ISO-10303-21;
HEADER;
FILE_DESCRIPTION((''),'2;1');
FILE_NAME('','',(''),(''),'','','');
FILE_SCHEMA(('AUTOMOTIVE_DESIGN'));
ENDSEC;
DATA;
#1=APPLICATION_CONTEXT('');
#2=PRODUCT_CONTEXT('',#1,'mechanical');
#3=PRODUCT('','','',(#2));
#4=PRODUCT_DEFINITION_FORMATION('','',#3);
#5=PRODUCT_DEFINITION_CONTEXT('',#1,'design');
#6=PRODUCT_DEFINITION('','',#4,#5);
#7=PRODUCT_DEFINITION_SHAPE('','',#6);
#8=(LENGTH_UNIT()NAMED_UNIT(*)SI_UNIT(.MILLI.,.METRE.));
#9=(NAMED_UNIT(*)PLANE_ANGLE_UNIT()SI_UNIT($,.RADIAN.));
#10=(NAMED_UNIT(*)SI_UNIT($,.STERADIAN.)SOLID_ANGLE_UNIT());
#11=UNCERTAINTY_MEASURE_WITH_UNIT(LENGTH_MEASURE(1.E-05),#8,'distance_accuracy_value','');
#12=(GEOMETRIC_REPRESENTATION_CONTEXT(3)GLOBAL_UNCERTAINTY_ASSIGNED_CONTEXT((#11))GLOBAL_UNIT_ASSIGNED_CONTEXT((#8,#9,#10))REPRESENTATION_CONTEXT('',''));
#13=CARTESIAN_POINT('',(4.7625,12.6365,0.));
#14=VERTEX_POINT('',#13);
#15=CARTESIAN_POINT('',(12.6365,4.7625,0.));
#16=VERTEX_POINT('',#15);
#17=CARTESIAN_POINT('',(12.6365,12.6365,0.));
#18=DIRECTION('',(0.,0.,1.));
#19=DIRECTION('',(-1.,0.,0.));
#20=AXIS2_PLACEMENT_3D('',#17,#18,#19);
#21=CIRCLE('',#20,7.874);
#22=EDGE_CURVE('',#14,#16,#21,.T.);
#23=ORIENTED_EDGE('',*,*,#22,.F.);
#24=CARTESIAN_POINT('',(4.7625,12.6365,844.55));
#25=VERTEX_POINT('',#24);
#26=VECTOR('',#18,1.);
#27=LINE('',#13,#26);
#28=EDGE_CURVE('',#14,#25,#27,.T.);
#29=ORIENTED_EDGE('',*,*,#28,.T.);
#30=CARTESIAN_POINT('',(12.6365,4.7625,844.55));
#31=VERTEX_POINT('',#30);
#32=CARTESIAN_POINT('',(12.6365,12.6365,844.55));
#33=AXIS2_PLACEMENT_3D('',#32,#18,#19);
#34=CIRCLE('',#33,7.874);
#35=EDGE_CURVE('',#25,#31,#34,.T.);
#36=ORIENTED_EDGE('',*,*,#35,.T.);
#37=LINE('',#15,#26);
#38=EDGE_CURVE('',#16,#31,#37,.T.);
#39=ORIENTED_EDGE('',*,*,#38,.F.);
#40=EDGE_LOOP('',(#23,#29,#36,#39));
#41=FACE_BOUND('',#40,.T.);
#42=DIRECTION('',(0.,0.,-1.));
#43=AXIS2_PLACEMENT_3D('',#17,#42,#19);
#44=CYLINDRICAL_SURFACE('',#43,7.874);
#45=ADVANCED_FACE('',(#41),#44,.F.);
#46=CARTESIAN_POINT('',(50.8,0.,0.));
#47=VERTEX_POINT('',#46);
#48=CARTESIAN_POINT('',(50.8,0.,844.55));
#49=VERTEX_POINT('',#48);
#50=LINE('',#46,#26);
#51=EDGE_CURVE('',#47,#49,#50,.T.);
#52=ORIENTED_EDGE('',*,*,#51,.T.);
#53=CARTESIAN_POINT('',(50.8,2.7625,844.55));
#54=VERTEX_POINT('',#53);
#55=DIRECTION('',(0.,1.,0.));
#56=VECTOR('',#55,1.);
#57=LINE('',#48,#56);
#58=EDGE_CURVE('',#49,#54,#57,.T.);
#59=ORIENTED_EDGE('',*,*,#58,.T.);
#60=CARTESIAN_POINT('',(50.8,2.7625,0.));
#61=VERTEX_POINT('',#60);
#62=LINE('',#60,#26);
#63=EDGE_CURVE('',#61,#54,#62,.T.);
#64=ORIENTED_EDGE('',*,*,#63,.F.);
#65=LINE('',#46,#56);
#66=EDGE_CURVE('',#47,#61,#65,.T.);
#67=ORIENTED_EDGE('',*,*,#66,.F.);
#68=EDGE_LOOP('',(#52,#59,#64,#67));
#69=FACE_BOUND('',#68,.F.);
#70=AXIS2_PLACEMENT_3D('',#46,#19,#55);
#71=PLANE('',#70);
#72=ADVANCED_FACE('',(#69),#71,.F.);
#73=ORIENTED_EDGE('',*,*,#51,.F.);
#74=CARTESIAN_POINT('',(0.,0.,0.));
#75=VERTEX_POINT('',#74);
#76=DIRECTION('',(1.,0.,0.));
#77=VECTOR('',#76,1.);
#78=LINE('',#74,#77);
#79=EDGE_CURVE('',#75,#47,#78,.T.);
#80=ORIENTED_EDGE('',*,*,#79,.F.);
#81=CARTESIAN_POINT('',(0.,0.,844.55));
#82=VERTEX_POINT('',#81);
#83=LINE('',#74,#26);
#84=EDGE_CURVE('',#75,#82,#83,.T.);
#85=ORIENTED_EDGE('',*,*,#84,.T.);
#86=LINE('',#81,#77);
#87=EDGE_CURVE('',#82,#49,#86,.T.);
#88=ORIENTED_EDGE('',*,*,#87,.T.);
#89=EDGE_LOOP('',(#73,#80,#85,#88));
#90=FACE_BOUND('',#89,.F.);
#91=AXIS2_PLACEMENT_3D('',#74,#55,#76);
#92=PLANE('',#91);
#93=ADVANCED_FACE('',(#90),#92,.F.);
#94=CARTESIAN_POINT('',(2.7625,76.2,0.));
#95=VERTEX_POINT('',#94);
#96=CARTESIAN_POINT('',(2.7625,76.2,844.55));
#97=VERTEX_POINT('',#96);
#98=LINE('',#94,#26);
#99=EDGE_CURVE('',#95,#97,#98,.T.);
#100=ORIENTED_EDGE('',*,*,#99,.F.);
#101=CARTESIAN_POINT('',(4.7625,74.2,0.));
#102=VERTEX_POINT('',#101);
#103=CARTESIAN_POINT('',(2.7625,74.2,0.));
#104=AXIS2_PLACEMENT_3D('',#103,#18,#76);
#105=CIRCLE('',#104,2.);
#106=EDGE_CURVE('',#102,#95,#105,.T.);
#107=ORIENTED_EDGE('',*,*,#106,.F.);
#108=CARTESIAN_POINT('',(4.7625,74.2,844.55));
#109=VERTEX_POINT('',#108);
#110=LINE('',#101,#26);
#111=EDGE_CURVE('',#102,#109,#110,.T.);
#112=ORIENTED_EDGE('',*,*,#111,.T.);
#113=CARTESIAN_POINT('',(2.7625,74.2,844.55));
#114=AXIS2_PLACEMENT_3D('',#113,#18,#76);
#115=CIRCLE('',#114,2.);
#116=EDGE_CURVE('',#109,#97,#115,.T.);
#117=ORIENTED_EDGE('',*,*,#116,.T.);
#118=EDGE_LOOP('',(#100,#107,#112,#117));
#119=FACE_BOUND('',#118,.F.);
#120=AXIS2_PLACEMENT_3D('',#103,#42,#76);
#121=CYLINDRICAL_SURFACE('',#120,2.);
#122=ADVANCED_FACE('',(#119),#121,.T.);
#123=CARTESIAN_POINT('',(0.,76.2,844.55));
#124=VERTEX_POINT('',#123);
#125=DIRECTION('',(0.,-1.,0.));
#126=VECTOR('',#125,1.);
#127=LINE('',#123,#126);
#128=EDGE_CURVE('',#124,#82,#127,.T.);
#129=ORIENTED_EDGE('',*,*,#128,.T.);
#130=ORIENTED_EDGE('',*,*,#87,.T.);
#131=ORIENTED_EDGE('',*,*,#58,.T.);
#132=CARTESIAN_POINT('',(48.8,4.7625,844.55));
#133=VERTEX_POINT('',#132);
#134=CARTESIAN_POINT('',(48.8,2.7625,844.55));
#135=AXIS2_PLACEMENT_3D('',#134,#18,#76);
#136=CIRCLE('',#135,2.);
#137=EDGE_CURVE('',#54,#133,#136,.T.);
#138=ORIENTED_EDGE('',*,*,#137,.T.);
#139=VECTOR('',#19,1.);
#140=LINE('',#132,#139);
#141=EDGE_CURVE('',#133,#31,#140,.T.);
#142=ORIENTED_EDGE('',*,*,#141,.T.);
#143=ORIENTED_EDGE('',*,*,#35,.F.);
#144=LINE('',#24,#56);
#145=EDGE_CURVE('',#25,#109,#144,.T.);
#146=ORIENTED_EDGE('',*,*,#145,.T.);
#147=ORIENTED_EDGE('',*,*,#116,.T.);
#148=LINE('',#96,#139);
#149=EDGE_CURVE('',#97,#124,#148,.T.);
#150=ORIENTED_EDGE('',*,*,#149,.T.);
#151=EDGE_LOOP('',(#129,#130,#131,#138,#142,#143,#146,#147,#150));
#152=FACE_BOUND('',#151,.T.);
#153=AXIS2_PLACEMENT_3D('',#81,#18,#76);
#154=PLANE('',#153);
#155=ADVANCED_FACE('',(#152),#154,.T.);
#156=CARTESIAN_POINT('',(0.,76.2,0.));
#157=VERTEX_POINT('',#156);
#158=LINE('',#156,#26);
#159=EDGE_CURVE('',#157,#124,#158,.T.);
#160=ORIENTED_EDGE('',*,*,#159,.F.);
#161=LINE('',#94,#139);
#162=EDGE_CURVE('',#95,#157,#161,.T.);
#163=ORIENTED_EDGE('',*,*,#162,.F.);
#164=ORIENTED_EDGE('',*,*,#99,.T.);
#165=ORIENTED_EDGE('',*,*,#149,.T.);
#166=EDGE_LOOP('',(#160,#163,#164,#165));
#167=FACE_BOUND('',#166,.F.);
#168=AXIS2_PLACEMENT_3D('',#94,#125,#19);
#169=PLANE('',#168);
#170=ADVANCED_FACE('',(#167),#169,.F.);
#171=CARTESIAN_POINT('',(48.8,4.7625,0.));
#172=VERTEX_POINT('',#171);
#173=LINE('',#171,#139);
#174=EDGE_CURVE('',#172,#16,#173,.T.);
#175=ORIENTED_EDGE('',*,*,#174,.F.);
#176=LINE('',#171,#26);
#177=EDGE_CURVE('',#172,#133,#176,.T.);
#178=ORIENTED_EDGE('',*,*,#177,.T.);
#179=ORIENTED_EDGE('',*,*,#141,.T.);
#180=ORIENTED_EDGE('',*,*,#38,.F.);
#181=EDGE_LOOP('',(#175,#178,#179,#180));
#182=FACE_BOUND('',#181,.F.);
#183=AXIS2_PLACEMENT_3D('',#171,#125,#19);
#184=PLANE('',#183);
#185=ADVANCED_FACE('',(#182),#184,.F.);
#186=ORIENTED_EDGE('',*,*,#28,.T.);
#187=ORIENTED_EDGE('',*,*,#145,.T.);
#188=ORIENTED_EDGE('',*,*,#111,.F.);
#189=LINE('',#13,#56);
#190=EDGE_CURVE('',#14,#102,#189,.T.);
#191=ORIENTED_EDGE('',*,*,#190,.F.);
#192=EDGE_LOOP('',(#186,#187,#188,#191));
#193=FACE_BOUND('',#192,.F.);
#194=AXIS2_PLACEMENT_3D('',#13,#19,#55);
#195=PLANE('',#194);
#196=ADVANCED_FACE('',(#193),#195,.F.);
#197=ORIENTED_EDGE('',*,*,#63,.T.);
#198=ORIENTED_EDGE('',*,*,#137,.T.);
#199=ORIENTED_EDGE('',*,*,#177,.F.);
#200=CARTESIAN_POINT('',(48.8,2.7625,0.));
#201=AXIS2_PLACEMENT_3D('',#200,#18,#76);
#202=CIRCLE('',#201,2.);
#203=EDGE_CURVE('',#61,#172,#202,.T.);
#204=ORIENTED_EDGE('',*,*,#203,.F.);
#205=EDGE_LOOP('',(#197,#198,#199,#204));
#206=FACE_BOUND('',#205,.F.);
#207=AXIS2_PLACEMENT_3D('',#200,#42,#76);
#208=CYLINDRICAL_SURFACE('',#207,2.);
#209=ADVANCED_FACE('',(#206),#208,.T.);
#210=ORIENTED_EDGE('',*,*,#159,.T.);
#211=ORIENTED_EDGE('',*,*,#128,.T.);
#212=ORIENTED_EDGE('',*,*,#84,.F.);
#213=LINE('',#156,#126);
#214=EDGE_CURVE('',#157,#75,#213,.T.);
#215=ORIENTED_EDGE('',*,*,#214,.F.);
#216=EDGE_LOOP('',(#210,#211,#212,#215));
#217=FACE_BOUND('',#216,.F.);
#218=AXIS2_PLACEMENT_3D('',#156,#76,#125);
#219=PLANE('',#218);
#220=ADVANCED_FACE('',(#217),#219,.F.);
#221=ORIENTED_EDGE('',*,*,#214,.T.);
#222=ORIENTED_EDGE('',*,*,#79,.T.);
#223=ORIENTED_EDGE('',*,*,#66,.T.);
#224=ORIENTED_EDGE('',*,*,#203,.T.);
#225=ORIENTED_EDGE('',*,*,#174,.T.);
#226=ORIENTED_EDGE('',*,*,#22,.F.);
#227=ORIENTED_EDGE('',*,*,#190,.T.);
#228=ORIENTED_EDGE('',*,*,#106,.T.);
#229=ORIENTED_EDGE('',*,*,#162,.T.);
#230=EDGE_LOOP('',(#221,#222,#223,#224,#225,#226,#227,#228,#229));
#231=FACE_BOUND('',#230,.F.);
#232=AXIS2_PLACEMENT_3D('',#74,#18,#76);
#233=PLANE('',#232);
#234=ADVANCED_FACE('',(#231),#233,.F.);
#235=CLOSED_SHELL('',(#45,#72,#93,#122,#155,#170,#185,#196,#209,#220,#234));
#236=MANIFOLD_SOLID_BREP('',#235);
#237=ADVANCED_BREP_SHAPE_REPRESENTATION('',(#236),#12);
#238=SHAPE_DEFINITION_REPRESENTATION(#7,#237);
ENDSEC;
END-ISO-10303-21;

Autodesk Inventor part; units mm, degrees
ref_plane "YZ Plane" through (0, 0, 0) normal (1, 0, 0) x (0, 1, 0)
ref_plane "Start plane" through (0, 0, 0) normal (0, 0, 1) x (1, 0, 0)
ref_plane "End plane" through (0, 0, 844.55) normal (0, 0, 1) x (1, 0, 0)
sketch "Sketch" plane through (0, 0, 0) normal (0, 0, 1) x (1, 0, 0)
  line L0 (0, 76.2) -> (0, 0)
  line L1 (0, 0) -> (50.8, 0)
  line L2 (50.8, 0) -> (50.8, 2.7625)
  line L3 (48.8, 4.7625) -> (12.6365, 4.7625)
  line L4 (4.7625, 12.6365) -> (4.7625, 74.2)
  line L5 (2.7625, 76.2) -> (0, 76.2)
  line L6 (-7.0414, 0) -> (21.5385, 0) construction
  line L7 (0, -8.0414) -> (0, 34.5385) construction
  arc A0 (4.7625, 12.6365) -> (12.6365, 4.7625) centre (12.6365, 12.6365) ccw
  arc A1 (50.8, 2.7625) -> (48.8, 4.7625) centre (48.8, 2.7625) ccw
  arc A2 (4.7625, 74.2) -> (2.7625, 76.2) centre (2.7625, 74.2) ccw
  line L8 (0, 93.5453) -> (0, -24.9725) construction
  line L9 (-18.6925, 0) -> (62.8653, 0) construction
  point P0 (50.8, 4.7625)
  point P1 (4.7625, 4.7625)
  point P2 (4.7625, 76.2)
  dimension "d12" = 4.7625
  dimension "d13" = 76.2
  dimension "d14" = 50.8
  dimension "d15" = 0
  dimension "d16" = 4.7625
  dimension "d17" = 0
  dimension "d18" = 7.874
  dimension "d19" = 2
extrude "Body" add sketch "Sketch" along normal up to surface (844.55 mm away) from surface at 0
equation "\"d12\" = G_T"
equation "\"d13\" = G_H"
equation "\"d14\" = G_W"
equation "\"d16\" = G_T"
equation "\"d18\" = G_IR"
equation "\"d4\" = G_L"
equation "\"G_W\" = 50.8"
equation "\"G_H\" = 76.2"
equation "\"G_T\" = 4.7625"
equation "\"G_ER\" = 4.064"
equation "\"G_IR\" = 7.874"
equation "\"G_L\" = B_L + G_OFFSET_START + G_OFFSET_END"
equation "\"ex\" = 0"
equation "\"ey\" = 0"
equation "\"G_OFFSET_START\" = 0"
equation "\"G_OFFSET_END\" = 0"
equation "\"d21\" = G_OFFSET_END + B_L"
equation "\"B_L\" = 844.55"
properties part number "ANSI L 3 x 2 x 3_16 00000003"
